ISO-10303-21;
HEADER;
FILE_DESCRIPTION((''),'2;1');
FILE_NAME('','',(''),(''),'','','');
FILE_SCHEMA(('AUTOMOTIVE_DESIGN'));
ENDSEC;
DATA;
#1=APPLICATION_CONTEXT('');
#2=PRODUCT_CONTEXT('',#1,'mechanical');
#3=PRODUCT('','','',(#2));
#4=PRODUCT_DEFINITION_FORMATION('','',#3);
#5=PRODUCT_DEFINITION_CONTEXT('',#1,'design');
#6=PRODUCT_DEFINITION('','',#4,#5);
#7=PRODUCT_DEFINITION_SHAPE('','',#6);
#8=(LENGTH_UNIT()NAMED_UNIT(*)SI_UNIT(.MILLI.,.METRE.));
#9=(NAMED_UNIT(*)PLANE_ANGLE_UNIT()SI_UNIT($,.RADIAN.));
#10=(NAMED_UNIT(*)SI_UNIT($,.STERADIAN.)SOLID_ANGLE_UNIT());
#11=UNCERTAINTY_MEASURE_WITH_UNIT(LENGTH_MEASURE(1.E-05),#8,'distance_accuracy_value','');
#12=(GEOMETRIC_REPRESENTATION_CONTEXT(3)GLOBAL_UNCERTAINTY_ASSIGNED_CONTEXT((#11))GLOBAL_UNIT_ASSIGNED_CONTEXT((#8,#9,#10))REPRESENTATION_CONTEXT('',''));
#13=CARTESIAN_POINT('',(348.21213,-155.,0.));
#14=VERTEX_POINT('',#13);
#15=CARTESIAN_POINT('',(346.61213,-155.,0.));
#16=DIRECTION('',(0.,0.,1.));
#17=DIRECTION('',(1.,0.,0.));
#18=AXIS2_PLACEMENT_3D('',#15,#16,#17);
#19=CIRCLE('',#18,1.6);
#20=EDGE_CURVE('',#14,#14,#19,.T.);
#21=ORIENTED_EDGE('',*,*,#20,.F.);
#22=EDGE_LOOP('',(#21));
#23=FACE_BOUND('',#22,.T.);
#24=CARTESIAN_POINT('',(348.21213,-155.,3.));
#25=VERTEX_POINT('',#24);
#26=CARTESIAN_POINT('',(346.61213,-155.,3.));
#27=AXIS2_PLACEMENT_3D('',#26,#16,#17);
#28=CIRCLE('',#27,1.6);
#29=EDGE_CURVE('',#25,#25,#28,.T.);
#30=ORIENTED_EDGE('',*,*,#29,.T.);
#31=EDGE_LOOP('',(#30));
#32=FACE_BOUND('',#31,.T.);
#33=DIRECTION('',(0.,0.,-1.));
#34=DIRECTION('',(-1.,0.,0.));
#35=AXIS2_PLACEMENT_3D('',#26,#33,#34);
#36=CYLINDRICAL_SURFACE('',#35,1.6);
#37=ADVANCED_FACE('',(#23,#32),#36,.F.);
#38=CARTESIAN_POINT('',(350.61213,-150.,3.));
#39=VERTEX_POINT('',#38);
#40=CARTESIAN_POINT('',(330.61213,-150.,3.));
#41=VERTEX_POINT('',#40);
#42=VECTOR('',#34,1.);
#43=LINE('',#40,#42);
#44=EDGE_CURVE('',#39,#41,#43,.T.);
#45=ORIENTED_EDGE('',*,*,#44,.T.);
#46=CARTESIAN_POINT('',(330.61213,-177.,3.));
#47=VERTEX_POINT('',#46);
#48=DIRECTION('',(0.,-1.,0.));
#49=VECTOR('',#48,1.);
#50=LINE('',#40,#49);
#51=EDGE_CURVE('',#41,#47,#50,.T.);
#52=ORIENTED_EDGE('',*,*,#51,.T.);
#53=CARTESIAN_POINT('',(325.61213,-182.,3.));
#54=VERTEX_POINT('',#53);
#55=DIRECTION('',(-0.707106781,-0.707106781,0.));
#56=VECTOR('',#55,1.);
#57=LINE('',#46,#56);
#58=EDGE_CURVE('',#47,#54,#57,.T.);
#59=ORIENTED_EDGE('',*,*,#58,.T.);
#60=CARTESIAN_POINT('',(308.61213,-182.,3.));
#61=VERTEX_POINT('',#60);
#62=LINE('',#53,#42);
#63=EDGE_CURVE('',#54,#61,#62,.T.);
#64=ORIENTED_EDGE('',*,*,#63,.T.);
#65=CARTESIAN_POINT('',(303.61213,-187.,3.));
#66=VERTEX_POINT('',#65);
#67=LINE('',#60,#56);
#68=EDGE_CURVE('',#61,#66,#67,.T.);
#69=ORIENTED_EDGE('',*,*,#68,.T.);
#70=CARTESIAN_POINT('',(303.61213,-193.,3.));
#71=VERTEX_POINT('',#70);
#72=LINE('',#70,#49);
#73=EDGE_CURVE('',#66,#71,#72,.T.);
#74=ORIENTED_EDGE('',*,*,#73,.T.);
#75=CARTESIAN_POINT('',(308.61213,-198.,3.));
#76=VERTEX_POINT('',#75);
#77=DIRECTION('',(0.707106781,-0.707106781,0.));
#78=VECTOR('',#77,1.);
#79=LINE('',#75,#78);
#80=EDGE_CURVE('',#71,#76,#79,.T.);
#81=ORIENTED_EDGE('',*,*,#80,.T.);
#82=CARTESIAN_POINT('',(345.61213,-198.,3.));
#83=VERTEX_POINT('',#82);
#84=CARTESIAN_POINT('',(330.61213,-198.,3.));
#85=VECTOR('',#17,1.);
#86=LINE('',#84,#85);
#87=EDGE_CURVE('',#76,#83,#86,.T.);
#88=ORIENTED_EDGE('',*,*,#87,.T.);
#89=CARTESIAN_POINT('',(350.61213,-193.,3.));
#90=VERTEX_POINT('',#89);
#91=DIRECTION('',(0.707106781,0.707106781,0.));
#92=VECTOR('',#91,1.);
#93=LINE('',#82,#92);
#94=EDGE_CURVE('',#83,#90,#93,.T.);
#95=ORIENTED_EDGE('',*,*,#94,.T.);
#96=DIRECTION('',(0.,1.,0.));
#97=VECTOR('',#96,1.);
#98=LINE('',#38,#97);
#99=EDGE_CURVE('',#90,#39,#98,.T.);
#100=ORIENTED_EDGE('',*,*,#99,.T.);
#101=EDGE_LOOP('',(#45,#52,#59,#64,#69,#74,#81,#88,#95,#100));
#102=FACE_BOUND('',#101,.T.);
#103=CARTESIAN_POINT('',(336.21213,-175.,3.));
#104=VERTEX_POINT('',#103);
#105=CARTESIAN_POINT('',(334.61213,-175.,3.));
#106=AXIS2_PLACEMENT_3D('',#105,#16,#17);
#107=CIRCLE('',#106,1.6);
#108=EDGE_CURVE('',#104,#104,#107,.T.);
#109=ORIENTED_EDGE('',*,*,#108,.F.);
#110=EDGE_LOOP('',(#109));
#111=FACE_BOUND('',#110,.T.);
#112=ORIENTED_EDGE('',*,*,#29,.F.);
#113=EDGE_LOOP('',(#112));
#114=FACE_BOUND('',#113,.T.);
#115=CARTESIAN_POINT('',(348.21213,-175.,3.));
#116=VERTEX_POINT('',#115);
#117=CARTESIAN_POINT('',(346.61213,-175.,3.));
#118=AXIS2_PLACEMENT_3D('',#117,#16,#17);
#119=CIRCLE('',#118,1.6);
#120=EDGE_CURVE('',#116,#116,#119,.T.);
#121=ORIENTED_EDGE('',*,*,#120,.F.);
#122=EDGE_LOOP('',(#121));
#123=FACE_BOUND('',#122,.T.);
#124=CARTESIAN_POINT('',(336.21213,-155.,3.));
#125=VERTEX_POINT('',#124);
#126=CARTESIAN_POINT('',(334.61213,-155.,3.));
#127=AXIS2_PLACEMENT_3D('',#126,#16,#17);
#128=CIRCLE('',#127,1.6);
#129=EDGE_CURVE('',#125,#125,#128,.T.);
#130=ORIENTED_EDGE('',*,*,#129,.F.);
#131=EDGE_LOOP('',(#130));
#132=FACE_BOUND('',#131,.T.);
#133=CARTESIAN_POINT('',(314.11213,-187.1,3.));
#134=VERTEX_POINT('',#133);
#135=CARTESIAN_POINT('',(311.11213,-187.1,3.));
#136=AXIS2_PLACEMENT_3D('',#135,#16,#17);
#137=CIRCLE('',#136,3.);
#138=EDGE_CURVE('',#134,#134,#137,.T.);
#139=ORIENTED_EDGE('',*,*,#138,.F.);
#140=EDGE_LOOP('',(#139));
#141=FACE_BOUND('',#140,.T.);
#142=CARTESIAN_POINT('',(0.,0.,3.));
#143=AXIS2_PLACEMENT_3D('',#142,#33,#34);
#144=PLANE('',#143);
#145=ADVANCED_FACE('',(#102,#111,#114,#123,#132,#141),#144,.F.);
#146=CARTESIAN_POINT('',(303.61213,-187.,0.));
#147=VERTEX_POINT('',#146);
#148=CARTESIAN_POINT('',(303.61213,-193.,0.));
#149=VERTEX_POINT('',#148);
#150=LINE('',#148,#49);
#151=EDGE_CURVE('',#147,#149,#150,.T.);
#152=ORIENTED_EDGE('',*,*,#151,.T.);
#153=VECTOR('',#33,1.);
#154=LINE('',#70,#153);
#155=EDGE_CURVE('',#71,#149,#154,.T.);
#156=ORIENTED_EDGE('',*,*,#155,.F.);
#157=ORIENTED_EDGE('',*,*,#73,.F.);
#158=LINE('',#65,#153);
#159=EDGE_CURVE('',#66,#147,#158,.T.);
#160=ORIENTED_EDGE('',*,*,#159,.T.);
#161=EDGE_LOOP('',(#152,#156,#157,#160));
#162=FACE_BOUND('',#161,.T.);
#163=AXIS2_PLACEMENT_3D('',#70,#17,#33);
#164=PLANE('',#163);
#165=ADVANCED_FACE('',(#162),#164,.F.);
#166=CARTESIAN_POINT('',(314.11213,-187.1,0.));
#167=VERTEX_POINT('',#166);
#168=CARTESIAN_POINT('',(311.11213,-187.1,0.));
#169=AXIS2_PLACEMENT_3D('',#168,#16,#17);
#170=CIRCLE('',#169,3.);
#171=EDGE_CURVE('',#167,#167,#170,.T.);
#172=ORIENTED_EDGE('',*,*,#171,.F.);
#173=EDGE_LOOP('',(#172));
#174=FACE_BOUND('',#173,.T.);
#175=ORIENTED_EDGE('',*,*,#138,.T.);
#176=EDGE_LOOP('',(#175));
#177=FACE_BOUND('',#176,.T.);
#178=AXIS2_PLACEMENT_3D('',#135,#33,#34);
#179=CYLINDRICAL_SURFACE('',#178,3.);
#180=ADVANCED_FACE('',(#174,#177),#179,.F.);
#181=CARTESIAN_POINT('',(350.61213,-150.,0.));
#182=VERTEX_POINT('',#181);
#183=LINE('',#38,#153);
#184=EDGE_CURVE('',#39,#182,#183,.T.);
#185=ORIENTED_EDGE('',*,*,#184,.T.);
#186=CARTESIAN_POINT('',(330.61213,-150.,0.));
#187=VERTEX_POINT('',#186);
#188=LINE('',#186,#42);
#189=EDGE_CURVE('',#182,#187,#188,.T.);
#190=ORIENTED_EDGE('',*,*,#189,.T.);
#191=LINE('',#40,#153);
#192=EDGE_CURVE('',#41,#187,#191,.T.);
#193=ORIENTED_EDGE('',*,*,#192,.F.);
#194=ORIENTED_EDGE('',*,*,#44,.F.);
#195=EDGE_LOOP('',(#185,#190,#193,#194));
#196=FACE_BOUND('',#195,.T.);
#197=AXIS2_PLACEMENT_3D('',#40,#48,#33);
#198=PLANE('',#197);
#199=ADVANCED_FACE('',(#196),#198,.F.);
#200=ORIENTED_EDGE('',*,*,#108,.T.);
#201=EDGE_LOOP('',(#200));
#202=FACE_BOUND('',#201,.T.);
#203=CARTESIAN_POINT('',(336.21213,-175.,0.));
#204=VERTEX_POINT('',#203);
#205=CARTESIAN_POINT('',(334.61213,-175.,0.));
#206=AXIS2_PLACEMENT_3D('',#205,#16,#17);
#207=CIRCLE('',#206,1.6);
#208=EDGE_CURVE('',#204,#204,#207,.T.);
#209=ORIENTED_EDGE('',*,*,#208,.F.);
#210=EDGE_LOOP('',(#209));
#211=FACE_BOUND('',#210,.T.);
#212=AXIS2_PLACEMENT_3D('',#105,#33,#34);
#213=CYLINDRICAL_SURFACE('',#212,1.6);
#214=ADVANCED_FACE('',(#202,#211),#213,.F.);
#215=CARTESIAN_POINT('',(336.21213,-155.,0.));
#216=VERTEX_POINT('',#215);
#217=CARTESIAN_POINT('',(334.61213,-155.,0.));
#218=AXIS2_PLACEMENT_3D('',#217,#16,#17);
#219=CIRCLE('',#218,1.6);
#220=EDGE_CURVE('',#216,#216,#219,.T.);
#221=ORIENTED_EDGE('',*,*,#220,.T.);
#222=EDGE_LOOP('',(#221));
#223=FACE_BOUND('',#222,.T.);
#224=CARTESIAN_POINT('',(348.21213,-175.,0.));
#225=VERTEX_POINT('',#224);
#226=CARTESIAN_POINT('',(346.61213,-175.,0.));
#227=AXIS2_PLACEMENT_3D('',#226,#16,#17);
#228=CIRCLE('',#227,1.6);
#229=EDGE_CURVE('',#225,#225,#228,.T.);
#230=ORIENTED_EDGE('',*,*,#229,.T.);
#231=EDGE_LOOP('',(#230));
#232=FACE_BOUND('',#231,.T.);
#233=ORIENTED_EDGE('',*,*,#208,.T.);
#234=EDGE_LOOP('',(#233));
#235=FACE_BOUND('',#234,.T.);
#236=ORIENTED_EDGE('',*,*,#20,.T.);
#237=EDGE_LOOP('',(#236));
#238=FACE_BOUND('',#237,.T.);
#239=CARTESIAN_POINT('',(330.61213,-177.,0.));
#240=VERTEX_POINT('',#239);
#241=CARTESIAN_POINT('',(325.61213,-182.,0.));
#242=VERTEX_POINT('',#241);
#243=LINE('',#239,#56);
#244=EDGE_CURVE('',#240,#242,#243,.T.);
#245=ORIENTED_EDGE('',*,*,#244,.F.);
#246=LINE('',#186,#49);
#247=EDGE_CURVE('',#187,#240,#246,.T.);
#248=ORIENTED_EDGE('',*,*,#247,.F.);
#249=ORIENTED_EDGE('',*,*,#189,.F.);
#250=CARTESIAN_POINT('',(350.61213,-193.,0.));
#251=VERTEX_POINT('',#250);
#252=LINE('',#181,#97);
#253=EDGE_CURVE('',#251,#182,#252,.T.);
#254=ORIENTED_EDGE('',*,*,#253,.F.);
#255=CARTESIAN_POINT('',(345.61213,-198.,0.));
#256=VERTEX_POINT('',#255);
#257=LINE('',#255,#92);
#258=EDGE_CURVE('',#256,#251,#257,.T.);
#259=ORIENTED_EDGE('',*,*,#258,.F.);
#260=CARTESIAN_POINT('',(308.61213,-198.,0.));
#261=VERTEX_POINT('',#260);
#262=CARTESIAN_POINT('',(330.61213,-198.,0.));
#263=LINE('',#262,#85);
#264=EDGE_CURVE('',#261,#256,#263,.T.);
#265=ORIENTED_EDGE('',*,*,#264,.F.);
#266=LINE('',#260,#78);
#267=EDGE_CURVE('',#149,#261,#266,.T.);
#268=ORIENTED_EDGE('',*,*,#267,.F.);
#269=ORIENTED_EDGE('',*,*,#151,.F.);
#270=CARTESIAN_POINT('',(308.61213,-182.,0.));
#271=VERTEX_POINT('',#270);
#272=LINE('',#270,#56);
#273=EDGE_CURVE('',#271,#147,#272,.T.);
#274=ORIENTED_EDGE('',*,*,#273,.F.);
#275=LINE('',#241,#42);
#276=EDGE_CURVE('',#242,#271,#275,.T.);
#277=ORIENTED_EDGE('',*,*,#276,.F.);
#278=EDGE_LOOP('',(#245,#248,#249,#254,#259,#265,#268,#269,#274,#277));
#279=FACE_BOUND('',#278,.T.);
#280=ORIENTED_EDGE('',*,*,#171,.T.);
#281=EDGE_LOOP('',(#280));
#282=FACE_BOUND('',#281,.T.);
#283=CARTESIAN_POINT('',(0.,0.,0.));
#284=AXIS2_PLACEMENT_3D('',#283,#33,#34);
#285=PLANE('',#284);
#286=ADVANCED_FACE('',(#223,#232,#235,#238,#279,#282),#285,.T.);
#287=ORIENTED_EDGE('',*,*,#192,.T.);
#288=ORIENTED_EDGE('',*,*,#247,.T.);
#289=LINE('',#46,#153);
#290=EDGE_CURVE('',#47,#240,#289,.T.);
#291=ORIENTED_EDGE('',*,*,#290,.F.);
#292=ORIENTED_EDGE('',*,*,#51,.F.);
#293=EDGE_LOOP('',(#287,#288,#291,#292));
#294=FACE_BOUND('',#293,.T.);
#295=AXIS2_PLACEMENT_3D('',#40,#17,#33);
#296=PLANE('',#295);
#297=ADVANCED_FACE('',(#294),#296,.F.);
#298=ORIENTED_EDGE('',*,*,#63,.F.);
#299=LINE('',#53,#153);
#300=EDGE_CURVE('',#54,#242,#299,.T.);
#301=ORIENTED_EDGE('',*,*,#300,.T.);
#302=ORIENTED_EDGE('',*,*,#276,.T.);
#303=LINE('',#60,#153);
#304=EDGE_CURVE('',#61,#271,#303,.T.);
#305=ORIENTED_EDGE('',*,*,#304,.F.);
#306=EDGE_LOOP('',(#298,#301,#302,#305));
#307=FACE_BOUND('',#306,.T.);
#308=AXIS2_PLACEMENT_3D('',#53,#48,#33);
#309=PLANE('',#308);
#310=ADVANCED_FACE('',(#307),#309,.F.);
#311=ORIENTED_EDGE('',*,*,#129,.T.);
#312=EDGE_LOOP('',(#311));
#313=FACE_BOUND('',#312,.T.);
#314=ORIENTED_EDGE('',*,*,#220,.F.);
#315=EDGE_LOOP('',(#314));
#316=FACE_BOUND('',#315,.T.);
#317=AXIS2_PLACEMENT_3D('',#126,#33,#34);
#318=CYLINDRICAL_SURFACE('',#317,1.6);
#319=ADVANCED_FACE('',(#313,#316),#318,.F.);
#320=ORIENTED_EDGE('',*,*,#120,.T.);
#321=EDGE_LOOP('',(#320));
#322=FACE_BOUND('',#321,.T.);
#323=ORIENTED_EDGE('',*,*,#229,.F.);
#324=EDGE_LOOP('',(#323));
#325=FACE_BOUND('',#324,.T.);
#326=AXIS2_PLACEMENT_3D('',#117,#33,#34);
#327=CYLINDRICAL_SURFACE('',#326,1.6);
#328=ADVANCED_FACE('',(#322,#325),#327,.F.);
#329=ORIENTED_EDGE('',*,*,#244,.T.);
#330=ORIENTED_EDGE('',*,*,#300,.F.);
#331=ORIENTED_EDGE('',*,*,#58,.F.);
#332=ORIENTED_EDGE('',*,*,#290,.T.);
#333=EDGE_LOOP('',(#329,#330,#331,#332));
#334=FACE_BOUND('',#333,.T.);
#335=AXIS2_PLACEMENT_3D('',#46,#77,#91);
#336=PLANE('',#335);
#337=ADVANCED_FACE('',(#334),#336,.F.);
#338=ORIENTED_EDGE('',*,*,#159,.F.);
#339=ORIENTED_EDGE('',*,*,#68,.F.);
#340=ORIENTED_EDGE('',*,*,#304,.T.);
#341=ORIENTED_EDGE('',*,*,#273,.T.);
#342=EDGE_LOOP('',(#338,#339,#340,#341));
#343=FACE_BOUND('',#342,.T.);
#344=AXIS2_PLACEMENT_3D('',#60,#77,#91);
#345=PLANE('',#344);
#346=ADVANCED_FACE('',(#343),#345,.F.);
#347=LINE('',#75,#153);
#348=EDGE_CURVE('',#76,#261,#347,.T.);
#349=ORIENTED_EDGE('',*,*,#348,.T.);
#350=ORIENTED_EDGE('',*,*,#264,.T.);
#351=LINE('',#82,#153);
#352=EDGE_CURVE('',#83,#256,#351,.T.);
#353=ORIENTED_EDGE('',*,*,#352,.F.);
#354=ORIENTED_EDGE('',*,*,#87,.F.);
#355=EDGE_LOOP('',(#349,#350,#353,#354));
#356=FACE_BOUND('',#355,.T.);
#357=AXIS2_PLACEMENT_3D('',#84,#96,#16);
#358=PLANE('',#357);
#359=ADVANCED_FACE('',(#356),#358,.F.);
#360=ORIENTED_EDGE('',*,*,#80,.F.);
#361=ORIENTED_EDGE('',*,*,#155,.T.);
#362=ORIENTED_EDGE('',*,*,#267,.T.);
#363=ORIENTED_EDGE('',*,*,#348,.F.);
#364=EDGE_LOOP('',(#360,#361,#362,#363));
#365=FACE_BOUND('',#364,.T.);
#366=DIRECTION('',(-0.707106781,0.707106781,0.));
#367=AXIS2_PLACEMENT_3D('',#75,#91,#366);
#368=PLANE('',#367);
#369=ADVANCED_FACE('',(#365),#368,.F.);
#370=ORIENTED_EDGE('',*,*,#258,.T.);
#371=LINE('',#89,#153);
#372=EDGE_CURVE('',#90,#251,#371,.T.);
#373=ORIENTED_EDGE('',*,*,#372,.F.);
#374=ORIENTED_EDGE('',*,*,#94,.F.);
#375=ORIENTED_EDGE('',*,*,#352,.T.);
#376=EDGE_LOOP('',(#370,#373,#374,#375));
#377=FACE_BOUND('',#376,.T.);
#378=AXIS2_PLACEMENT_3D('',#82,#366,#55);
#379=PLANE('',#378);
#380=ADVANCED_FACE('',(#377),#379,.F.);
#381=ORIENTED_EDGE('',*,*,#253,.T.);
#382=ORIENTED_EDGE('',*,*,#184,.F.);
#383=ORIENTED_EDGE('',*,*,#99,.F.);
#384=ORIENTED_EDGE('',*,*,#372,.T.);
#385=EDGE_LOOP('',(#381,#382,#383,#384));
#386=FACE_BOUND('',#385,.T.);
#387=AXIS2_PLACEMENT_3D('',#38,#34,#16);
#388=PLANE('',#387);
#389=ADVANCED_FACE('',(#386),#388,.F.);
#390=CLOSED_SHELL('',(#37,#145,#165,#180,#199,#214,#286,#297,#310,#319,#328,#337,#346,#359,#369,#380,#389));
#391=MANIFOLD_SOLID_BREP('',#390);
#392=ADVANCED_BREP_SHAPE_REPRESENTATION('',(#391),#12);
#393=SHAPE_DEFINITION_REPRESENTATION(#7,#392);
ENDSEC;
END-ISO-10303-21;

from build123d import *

# Parameters (mm, degrees)
SKETCH1_R           = 3
SKETCH1_R_2         = 1.6
BOSS_EXTRUDE1_DEPTH = 3


with BuildPart() as part:
    # Sketch1 → Boss-Extrude1 (new body)
    with BuildSketch(Plane.XY):
        Polygon((330.61212976, -150), (350.61212976, -150), (350.61212976, -193), (345.61212976, -198), (330.61212976, -198), (308.61212976, -198), (303.61212976, -193), (303.61212976, -187), (308.61212976, -182), (325.61212976, -182), (330.61212976, -177), align=None)
        with Locations((311.11212976, -187.1)):
            Circle(SKETCH1_R, mode=Mode.SUBTRACT)
        with Locations((334.61212976, -155)):
            Circle(SKETCH1_R_2, mode=Mode.SUBTRACT)
        with Locations((346.61212976, -155)):
            Circle(SKETCH1_R_2, mode=Mode.SUBTRACT)
        with Locations((334.61212976, -175)):
            Circle(SKETCH1_R_2, mode=Mode.SUBTRACT)
        with Locations((346.61212976, -175)):
            Circle(SKETCH1_R_2, mode=Mode.SUBTRACT)
    extrude(amount=BOSS_EXTRUDE1_DEPTH)


solid = part.part
